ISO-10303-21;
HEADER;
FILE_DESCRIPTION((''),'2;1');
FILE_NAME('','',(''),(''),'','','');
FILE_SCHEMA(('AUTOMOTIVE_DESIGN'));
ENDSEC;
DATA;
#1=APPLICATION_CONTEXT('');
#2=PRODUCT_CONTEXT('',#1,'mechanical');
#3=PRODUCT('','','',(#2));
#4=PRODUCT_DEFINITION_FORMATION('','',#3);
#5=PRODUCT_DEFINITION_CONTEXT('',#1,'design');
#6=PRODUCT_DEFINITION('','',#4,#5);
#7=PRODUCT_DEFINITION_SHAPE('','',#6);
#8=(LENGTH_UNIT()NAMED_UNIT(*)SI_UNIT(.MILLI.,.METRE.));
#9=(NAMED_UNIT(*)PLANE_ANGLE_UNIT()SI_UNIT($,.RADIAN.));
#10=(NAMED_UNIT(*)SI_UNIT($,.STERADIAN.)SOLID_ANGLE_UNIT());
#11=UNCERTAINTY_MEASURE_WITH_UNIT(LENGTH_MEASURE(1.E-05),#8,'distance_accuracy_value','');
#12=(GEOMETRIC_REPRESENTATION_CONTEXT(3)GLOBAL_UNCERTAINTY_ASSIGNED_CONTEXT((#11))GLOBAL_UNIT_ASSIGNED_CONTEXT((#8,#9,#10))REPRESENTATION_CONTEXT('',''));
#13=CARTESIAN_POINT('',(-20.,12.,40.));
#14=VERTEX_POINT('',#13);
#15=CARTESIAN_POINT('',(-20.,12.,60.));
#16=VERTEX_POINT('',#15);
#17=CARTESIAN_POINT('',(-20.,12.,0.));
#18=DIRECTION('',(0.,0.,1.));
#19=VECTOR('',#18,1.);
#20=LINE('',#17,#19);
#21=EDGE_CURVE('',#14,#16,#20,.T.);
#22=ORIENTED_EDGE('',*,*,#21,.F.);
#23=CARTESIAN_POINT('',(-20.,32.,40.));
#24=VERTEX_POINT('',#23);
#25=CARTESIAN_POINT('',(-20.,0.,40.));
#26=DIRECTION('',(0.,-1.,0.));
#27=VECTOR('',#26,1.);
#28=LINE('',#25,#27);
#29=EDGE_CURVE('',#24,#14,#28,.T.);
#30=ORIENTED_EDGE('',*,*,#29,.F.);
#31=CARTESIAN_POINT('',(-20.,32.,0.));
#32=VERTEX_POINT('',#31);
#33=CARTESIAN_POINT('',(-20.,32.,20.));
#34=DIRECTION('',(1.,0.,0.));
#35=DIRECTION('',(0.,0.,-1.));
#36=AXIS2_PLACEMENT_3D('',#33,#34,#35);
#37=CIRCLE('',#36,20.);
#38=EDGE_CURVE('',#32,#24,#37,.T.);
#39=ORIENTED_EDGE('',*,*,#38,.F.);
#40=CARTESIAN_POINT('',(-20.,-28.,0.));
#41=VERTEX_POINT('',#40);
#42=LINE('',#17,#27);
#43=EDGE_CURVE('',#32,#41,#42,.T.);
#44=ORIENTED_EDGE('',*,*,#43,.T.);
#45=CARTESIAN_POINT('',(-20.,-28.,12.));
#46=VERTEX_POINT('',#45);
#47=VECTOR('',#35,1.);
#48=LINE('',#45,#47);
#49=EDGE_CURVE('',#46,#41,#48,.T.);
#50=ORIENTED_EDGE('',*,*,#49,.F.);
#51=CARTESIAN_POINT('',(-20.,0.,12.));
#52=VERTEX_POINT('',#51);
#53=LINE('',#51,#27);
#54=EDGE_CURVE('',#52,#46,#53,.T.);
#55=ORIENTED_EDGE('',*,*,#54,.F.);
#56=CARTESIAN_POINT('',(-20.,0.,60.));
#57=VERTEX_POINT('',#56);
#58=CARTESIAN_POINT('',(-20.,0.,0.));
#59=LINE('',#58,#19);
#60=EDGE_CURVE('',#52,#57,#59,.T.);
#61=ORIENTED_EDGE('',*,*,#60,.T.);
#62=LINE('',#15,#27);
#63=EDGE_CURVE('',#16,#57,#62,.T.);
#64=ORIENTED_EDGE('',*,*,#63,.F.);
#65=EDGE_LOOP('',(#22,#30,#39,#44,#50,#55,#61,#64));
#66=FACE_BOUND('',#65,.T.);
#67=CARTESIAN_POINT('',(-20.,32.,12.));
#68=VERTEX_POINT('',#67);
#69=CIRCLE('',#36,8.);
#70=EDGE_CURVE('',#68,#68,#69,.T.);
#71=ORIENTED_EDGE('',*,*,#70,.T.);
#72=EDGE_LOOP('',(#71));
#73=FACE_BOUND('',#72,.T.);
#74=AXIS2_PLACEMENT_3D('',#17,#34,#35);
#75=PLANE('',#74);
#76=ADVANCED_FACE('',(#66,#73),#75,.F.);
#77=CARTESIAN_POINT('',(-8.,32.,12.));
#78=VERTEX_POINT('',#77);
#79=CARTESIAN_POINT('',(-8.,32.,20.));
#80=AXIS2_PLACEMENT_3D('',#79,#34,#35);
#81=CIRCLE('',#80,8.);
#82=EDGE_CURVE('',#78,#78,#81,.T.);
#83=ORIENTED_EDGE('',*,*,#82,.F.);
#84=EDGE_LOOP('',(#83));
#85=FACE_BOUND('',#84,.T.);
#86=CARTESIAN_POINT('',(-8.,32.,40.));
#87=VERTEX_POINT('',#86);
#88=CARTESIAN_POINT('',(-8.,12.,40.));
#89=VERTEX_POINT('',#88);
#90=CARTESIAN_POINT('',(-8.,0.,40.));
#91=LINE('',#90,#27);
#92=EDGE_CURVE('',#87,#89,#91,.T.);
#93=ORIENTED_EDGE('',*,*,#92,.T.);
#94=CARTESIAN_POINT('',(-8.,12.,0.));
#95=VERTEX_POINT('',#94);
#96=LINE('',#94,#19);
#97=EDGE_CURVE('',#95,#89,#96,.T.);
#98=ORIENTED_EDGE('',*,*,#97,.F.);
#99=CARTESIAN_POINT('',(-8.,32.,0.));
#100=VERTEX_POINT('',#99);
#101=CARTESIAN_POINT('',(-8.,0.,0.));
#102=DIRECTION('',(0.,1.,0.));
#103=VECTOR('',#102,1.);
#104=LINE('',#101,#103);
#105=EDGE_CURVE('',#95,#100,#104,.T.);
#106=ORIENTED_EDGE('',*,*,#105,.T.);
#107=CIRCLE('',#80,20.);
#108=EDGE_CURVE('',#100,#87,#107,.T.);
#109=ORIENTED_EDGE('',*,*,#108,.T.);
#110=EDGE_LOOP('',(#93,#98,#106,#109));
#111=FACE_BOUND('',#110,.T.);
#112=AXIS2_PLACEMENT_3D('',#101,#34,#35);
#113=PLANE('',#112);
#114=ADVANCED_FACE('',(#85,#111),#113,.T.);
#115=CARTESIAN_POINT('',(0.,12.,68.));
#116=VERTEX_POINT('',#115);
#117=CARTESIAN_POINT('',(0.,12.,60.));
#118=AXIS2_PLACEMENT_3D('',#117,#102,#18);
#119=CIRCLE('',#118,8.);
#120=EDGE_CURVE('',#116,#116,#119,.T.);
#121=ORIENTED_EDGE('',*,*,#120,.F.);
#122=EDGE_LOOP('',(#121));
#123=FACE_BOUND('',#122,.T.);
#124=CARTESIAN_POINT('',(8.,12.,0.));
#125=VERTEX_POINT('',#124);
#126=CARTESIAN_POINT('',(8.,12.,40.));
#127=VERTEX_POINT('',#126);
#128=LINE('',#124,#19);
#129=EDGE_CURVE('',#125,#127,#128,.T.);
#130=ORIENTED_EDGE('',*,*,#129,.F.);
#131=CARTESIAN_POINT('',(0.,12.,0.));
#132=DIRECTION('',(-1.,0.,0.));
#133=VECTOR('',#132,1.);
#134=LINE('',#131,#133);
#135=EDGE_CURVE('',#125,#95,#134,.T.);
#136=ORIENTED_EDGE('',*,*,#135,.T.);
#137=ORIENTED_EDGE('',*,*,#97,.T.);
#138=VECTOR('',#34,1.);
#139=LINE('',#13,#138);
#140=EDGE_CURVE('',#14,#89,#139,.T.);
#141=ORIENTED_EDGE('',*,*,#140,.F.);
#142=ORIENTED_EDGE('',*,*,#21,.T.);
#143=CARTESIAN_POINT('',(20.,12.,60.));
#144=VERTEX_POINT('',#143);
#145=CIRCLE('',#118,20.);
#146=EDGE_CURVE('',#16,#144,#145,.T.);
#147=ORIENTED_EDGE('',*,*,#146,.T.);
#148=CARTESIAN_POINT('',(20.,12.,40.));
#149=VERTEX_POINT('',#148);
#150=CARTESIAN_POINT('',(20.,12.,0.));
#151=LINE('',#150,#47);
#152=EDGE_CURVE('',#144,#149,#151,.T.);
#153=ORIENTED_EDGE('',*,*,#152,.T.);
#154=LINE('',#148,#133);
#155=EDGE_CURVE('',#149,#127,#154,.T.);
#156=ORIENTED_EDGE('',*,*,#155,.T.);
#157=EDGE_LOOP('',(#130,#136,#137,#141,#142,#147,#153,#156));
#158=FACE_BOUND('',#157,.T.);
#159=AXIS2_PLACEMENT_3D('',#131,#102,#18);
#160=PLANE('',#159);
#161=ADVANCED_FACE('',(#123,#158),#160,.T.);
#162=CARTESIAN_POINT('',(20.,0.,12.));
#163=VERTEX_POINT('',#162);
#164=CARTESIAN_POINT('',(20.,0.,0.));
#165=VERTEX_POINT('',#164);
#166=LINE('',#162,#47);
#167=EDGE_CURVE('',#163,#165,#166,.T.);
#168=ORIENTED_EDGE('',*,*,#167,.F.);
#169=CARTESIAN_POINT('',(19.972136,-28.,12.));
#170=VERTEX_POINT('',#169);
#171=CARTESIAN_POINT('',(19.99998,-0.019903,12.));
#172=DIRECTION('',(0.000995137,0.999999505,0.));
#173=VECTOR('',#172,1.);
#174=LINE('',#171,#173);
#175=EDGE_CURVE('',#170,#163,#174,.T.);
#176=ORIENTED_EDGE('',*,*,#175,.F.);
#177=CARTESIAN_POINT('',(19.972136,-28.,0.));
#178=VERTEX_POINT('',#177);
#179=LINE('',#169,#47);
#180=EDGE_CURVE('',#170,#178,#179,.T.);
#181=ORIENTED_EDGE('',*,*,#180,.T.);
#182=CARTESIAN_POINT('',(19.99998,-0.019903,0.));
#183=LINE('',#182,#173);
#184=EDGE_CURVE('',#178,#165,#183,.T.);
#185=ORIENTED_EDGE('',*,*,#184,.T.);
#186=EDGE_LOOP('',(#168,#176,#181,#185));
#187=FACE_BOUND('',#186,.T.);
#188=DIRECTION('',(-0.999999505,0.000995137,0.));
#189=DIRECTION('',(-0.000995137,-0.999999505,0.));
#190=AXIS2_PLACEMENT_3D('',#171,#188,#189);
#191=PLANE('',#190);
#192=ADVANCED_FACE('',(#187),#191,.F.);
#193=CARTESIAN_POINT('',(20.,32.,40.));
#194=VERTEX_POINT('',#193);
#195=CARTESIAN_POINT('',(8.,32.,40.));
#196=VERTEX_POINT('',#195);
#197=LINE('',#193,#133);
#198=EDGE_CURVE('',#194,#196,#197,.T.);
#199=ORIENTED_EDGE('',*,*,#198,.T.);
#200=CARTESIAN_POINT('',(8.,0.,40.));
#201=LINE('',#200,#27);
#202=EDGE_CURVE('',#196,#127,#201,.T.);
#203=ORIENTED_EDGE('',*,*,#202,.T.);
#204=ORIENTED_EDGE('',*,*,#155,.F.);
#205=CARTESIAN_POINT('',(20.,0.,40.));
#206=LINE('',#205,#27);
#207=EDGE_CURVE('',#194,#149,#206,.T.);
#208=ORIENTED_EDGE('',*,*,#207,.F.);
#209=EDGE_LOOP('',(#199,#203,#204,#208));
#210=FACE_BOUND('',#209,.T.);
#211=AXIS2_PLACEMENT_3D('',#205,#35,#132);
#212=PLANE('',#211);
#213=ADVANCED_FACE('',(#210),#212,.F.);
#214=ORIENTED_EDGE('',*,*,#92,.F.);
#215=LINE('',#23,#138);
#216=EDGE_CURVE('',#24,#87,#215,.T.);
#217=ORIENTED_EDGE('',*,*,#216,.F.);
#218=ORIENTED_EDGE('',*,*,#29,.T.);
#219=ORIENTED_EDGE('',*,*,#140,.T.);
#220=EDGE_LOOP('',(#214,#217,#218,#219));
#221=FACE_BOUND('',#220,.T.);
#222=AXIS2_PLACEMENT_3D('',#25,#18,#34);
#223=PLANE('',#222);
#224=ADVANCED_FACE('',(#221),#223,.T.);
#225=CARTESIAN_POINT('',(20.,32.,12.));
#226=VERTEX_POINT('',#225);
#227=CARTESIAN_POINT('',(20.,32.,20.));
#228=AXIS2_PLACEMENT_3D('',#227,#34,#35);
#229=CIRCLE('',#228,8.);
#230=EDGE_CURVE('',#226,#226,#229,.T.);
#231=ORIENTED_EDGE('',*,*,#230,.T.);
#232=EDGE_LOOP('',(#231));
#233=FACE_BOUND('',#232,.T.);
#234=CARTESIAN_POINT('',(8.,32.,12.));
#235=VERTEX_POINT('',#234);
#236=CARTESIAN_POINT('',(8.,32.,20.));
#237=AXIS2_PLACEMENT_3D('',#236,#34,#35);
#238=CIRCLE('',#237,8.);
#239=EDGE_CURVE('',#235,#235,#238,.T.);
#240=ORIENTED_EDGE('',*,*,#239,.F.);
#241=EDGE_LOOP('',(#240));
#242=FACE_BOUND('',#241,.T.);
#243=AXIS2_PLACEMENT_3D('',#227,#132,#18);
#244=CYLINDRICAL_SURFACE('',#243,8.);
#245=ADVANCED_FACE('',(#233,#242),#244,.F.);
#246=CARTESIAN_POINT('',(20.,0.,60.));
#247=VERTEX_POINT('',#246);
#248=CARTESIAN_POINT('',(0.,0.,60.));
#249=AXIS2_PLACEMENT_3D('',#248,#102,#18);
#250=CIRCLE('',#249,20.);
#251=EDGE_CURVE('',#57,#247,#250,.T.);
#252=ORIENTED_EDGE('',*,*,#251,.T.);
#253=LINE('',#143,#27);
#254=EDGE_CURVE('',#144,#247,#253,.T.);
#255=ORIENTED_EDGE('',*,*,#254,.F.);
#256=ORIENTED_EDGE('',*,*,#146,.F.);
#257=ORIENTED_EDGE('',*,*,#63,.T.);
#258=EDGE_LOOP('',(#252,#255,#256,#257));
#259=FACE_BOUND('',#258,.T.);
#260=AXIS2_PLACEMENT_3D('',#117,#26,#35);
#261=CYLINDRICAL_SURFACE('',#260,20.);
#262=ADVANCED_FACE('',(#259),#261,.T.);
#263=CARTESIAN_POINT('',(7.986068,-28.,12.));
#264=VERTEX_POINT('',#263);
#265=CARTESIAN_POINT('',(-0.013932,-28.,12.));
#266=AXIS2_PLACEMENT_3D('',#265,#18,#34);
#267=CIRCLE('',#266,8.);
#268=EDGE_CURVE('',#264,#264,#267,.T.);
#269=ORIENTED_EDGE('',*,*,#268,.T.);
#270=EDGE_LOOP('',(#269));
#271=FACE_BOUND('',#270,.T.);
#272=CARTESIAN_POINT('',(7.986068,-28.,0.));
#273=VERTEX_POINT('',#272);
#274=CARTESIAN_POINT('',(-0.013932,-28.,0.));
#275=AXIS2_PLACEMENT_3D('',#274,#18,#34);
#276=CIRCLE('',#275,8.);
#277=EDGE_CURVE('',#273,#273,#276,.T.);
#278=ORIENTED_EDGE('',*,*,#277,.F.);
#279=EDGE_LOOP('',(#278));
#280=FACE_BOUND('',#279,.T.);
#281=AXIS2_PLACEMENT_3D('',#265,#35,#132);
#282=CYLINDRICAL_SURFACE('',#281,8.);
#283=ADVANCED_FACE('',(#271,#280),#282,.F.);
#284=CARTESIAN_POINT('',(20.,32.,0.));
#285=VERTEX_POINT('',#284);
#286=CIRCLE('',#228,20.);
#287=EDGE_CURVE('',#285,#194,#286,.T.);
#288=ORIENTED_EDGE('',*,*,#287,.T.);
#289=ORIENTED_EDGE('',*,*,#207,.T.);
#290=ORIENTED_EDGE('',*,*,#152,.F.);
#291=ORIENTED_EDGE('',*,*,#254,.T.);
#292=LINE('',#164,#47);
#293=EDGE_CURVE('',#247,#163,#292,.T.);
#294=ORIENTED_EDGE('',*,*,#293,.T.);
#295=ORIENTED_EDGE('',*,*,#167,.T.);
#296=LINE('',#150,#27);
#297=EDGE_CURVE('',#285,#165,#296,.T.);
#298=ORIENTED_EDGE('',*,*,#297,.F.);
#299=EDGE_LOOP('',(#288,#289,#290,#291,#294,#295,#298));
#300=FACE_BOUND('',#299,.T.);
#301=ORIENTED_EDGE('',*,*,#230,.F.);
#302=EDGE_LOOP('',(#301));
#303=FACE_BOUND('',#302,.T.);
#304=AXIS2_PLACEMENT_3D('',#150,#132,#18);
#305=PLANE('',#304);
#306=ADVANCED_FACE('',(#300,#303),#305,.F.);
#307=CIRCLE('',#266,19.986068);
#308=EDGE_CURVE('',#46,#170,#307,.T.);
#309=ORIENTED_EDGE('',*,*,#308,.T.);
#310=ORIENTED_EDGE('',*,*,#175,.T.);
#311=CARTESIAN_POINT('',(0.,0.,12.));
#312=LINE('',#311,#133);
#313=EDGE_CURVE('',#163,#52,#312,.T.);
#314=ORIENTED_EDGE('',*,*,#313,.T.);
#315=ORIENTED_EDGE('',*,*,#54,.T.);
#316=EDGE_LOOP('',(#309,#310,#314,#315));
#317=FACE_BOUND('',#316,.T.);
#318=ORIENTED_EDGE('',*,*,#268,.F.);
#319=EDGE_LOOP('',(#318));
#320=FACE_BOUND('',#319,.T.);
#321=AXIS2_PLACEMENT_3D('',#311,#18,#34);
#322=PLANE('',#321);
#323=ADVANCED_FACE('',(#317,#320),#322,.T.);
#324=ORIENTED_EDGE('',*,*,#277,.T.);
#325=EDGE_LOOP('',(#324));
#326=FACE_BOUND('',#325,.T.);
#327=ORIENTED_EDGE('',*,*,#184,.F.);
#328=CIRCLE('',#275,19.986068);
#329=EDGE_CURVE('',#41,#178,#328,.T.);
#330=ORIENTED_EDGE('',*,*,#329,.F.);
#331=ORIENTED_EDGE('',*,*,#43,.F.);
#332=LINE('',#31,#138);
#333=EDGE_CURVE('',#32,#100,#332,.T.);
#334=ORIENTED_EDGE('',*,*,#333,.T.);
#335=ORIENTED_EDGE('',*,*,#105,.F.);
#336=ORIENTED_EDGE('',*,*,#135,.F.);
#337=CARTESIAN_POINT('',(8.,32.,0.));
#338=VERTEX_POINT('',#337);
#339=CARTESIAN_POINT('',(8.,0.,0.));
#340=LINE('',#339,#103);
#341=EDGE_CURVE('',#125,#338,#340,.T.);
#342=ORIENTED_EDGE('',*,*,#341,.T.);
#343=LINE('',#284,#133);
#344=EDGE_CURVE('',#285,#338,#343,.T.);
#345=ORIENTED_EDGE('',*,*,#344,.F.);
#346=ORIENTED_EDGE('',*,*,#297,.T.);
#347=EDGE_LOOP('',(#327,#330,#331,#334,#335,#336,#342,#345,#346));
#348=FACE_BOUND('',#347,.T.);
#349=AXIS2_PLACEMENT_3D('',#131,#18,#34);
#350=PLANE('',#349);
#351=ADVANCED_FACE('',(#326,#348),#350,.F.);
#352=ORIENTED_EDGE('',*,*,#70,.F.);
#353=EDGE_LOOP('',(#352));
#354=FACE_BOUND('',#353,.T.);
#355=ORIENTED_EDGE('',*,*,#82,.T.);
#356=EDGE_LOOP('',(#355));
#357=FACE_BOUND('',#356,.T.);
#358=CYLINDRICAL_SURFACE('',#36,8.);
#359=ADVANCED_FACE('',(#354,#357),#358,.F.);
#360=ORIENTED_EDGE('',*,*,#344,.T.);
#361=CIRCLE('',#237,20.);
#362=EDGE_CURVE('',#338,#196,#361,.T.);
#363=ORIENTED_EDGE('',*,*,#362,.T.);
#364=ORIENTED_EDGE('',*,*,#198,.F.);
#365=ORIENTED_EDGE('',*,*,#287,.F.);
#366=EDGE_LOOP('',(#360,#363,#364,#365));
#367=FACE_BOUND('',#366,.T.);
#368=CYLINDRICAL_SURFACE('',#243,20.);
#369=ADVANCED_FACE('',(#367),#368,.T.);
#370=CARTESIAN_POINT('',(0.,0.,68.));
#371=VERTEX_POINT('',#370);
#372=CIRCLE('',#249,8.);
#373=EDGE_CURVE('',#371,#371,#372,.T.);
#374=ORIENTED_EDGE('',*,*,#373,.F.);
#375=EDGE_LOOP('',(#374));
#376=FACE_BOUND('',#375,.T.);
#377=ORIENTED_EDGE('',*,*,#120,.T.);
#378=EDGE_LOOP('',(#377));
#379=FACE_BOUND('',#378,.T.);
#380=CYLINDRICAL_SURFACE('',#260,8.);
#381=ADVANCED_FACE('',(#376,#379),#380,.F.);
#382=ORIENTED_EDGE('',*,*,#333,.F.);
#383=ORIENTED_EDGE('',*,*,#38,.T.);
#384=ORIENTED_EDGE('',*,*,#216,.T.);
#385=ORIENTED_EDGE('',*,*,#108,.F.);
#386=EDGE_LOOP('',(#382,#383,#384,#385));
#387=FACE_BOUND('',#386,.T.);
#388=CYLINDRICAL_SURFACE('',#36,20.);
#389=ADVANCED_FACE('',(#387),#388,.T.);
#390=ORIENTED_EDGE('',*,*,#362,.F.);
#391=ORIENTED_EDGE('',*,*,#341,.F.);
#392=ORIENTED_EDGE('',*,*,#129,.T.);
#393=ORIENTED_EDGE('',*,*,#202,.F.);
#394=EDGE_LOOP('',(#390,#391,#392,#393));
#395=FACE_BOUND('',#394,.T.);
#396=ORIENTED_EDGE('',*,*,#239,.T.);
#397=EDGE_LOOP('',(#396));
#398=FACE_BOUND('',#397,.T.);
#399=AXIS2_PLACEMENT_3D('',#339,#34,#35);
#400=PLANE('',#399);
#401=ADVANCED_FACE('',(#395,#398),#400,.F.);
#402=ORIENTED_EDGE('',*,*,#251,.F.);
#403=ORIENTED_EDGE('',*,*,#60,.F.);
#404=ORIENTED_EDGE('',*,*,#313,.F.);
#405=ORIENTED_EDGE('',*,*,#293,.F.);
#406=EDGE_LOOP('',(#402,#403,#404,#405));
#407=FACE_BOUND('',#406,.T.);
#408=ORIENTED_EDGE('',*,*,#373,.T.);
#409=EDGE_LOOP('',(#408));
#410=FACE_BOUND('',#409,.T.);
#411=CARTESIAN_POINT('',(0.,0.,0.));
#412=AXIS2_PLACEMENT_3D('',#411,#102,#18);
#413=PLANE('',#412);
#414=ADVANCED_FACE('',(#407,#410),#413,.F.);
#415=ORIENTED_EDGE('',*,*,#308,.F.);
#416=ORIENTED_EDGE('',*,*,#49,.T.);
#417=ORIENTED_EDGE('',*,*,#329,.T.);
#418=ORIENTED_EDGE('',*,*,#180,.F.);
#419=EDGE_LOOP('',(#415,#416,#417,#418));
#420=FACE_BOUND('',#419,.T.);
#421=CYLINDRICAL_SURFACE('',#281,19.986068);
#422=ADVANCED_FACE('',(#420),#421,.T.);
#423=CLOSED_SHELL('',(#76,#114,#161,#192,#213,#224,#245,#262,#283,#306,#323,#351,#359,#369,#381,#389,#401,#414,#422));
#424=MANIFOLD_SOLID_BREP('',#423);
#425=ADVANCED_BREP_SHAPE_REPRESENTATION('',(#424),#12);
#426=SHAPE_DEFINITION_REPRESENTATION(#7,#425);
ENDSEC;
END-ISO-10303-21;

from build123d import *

# Parameters (mm, degrees)
SKETCH1_R           = 8
BOSS_EXTRUDE1_DEPTH = 12
BOSS_EXTRUDE2_START = 8
SKETCH2_R           = 8
BOSS_EXTRUDE2_DEPTH = 12
BOSS_EXTRUDE3_START = -20
SKETCH2_3_R         = 8
BOSS_EXTRUDE3_DEPTH = 12
SKETCH3_R           = 8
BOSS_EXTRUDE4_DEPTH = 12


with BuildPart() as part:
    # Sketch1 → Boss-Extrude1 (new body)
    with BuildSketch(Plane(origin=(0, 0, 0), x_dir=(1, 0, 0), z_dir=(0, 1, 0))):
        with BuildLine():
            Line((20, -60), (20, 0))
            Line((20, 0), (-20, 0))
            Line((-20, 0), (-20, -60))
            ThreePointArc((-20, -60), (0, -80), (20, -60))
        make_face()
        with Locations((0, -60)):
            Circle(SKETCH1_R, mode=Mode.SUBTRACT)
    extrude(amount=BOSS_EXTRUDE1_DEPTH)

    # Sketch2 → Boss-Extrude2 (add)
    with BuildSketch(Plane(origin=(0, 0, 0), x_dir=(0, 0, -1), z_dir=(1, 0, 0)).offset(BOSS_EXTRUDE2_START)):
        with BuildLine():
            Line((-40, 12), (0, 12))
            Line((0, 12), (0, 32))
            ThreePointArc((0, 32), (-20, 52), (-40, 32))
            Line((-40, 32), (-40, 12))
        make_face()
        with Locations((-20, 32)):
            Circle(SKETCH2_R, mode=Mode.SUBTRACT)
    extrude(amount=BOSS_EXTRUDE2_DEPTH)

    # Sketch2<3> → Boss-Extrude3 (add)
    with BuildSketch(Plane(origin=(0, 0, 0), x_dir=(0, 0, -1), z_dir=(1, 0, 0)).offset(BOSS_EXTRUDE3_START)):
        with BuildLine():
            Line((-40, 12), (0, 12))
            Line((0, 12), (0, 32))
            ThreePointArc((0, 32), (-20, 52), (-40, 32))
            Line((-40, 32), (-40, 12))
        make_face()
        with Locations((-20, 32)):
            Circle(SKETCH2_3_R, mode=Mode.SUBTRACT)
    extrude(amount=BOSS_EXTRUDE3_DEPTH)

    # Sketch3 → Boss-Extrude4 (add)
    with BuildSketch(Plane.XY):
        with BuildLine():
            Line((20, 0), (-20, 0))
            Line((-20, 0), (-20, -28))
            ThreePointArc((-20, -28), (-0.013931924, -47.986068076), (19.972136151, -28))
            Line((19.972136151, -28), (20, 0))
        make_face()
        with Locations((-0.013931924, -28)):
            Circle(SKETCH3_R, mode=Mode.SUBTRACT)
    extrude(amount=BOSS_EXTRUDE4_DEPTH)


solid = part.part
